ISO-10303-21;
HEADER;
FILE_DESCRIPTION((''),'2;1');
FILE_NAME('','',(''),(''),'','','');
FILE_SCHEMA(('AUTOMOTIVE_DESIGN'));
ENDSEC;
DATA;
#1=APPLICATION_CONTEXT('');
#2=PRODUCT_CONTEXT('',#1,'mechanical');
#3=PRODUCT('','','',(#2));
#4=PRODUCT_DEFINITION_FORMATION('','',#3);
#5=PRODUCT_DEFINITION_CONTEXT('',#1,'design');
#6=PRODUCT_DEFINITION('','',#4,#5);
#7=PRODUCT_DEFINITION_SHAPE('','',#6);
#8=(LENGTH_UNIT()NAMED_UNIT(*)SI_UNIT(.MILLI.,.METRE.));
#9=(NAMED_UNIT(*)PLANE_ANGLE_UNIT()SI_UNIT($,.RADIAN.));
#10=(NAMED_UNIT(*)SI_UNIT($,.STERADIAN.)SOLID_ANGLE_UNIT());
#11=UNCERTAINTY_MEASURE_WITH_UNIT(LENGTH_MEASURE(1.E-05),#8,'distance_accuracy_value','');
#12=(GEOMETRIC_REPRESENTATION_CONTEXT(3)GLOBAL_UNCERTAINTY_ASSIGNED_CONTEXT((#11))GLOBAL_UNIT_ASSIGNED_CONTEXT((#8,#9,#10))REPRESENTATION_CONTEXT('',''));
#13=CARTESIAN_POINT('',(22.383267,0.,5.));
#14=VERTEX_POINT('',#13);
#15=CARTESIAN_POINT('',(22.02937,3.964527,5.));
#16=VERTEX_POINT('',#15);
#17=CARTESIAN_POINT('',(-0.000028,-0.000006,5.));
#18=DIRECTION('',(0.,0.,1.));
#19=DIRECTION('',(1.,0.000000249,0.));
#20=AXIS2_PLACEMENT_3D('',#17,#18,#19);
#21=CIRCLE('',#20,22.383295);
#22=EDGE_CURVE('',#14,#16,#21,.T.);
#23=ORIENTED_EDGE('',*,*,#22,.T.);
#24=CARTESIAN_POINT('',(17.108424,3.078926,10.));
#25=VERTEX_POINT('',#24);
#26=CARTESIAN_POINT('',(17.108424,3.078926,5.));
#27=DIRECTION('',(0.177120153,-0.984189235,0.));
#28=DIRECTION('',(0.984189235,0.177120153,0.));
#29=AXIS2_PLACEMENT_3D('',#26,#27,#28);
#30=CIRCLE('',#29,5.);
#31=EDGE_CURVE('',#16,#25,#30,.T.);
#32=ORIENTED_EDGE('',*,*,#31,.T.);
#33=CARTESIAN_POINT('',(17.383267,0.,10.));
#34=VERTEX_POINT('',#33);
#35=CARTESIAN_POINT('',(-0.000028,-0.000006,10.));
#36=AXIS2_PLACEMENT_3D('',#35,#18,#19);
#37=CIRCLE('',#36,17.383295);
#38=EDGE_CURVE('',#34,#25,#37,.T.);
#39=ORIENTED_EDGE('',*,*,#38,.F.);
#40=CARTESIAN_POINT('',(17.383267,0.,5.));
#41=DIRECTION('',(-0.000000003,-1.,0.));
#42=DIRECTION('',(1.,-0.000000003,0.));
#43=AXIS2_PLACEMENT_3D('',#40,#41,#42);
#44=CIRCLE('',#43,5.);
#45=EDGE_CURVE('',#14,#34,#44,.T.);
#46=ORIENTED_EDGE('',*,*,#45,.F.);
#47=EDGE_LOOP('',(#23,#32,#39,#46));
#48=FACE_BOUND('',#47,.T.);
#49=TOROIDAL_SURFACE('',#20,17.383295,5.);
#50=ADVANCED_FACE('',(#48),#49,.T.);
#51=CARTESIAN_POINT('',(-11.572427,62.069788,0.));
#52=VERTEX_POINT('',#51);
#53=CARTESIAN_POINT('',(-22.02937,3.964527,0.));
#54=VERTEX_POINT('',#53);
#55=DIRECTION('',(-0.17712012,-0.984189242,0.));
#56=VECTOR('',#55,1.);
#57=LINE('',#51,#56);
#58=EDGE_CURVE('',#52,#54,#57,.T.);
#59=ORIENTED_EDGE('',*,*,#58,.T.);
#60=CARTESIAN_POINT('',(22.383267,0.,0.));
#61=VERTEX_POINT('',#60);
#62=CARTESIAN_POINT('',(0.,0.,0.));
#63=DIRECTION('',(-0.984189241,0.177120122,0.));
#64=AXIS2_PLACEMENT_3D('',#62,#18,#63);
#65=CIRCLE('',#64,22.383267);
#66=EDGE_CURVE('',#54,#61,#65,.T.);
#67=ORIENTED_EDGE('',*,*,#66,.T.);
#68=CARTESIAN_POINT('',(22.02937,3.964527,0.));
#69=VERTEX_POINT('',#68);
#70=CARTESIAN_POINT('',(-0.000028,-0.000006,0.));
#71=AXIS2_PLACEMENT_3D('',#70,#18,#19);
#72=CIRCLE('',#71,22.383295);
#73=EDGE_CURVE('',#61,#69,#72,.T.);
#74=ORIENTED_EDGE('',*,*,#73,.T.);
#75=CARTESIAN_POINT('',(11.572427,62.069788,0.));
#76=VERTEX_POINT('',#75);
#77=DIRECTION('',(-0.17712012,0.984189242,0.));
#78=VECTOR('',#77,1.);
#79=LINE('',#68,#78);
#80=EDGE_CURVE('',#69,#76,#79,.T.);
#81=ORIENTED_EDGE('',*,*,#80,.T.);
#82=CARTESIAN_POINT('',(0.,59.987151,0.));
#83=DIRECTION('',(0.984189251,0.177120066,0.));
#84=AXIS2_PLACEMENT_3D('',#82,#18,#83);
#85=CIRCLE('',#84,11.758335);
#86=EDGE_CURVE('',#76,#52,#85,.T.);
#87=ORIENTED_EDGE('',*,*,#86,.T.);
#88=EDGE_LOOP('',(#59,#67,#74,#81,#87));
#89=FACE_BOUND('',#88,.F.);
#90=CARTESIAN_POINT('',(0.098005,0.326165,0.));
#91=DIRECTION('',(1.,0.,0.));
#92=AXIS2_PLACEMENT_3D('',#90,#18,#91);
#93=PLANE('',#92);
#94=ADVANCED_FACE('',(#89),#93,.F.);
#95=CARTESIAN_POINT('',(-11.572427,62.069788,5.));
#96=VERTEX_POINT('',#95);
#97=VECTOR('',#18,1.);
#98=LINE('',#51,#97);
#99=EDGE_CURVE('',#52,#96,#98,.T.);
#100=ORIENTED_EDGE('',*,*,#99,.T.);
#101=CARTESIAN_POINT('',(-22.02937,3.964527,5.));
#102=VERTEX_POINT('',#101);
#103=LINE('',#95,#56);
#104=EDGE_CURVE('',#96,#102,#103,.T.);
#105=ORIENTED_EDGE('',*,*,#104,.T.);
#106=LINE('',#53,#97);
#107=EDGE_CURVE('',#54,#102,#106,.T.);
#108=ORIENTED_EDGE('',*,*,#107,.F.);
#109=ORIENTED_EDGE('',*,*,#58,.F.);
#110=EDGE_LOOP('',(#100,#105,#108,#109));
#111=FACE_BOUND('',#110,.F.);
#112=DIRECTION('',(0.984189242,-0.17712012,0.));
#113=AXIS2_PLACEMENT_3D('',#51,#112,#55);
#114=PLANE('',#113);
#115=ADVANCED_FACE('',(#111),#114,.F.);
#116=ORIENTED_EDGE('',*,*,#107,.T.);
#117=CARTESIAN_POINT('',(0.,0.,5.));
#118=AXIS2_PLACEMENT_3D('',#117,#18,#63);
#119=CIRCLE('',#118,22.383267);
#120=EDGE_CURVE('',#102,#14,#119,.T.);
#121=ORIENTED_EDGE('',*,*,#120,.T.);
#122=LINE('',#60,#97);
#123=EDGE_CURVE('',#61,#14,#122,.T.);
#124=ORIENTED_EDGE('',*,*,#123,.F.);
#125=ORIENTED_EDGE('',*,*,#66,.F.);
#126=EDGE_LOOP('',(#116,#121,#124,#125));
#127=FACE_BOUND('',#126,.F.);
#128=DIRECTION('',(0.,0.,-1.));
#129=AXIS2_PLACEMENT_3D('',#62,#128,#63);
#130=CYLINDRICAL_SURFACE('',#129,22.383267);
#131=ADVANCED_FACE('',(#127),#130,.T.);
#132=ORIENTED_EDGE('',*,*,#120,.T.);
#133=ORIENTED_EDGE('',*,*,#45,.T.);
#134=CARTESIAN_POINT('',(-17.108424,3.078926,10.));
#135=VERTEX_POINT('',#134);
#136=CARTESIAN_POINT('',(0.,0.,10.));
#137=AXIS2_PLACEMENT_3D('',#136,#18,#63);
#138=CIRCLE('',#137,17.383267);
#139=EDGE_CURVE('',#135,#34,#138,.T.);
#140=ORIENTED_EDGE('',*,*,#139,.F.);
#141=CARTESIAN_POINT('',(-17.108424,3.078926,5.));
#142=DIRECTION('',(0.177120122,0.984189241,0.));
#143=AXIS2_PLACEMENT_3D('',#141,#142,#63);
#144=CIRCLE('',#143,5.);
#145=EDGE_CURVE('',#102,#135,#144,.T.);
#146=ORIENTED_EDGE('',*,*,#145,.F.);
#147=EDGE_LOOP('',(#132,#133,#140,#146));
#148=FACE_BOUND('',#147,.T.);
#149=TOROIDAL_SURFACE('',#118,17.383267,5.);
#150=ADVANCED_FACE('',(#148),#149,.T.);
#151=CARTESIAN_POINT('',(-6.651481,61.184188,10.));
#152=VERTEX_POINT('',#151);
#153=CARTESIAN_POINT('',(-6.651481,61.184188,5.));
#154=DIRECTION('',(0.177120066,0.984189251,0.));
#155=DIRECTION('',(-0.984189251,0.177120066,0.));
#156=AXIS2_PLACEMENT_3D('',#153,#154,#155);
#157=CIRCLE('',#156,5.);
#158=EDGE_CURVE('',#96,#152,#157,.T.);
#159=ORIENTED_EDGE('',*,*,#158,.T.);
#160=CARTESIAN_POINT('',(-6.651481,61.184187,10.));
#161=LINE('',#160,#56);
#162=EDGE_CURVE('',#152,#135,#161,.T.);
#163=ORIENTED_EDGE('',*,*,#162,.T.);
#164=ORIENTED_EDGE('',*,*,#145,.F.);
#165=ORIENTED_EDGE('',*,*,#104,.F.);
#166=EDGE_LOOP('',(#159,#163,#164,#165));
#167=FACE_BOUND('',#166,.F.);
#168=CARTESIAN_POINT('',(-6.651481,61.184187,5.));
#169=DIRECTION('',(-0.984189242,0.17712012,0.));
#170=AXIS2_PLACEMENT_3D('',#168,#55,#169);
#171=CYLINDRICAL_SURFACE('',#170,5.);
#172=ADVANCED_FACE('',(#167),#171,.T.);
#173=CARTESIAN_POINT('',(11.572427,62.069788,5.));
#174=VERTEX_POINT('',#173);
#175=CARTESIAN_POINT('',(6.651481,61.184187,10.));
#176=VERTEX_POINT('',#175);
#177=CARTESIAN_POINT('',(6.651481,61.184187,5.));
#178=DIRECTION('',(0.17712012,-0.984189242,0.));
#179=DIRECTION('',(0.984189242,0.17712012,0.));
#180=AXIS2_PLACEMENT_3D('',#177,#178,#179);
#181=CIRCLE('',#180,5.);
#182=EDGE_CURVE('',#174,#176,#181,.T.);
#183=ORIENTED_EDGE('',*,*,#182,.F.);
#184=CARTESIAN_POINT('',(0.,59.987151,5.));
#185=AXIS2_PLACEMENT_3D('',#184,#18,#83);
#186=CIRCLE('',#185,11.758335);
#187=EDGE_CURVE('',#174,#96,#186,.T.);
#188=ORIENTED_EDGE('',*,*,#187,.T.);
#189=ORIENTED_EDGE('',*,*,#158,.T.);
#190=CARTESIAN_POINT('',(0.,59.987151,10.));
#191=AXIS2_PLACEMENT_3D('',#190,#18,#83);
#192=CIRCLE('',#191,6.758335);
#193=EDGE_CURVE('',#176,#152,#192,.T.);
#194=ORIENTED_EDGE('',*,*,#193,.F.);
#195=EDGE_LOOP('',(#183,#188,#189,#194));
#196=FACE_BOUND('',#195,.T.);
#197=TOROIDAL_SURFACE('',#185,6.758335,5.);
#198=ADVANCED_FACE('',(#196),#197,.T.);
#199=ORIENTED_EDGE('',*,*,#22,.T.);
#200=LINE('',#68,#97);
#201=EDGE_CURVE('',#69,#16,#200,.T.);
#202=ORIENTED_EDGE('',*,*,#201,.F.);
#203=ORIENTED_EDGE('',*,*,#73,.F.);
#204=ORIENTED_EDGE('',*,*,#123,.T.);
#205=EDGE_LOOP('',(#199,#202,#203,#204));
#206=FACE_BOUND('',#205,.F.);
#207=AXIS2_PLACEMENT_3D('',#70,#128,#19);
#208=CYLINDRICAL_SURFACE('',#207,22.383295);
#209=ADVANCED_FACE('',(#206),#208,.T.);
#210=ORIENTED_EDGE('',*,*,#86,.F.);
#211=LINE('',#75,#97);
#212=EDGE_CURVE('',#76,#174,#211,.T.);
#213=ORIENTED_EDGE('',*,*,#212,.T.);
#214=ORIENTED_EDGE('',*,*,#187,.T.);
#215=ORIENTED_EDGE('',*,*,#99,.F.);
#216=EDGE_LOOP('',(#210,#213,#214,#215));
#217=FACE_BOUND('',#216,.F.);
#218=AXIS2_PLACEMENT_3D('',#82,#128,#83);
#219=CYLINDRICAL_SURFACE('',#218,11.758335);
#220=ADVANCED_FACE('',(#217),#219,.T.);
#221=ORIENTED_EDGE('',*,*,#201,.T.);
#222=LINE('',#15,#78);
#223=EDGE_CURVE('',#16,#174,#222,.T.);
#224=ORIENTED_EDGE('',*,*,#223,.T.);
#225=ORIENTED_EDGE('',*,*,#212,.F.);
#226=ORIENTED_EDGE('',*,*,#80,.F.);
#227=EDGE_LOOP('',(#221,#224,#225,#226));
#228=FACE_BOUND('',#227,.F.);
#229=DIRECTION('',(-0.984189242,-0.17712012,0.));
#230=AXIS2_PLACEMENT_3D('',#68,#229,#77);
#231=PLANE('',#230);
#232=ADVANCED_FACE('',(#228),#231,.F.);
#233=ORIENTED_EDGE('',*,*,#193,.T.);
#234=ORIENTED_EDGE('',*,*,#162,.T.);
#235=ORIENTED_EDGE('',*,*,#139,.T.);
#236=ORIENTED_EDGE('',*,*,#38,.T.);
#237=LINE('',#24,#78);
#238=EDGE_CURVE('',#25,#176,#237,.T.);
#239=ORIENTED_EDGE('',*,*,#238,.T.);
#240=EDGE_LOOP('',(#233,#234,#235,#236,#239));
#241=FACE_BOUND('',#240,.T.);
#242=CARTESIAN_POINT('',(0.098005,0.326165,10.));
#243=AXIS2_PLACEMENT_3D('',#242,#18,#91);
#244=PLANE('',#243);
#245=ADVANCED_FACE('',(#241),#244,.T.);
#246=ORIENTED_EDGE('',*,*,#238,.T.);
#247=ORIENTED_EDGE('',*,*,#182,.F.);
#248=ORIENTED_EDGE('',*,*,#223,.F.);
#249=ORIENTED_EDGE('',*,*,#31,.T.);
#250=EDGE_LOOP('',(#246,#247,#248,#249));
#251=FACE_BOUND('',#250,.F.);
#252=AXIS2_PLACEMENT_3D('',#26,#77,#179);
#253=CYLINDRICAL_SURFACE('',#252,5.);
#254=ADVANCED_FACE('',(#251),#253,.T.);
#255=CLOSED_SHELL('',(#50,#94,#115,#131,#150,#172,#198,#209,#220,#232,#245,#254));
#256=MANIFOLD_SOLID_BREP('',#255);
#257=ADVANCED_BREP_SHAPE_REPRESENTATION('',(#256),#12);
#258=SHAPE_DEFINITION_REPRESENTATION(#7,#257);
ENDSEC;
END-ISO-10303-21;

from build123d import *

# Parameters (mm, degrees)
F1_DEPTH = 10
F2_R     = 5


with BuildPart() as f1:
    # F0 (on Top) → F1 (new body)
    with BuildSketch(Plane.XY):
        with BuildLine():
            ThreePointArc((-22.02937, 3.964527), (-1.990145, -22.294617), (22.383267, 0))
            ThreePointArc((22.383267, 0), (22.294617, 1.990145), (22.02937, 3.964527))
            ThreePointArc((22.02937, 3.964527), (0, 22.383267), (-22.02937, 3.964527))
        make_face()
        with BuildLine():
            ThreePointArc((-22.02937, 3.964527), (0, 22.383267), (22.02937, 3.964527))
            Line((22.02937, 3.964527), (11.572427, 62.069788))
            ThreePointArc((11.572427, 62.069788), (11.711766, 61.03261), (11.758336, 59.98715))
            ThreePointArc((11.758336, 59.98715), (-1.045459, 48.275384), (-11.572427, 62.069788))
            Line((-11.572427, 62.069788), (-22.02937, 3.964527))
        make_face()
        with BuildLine():
            ThreePointArc((11.758336, 59.98715), (11.711766, 61.03261), (11.572427, 62.069788))
            ThreePointArc((11.572427, 62.069788), (0, 71.745486), (-11.572427, 62.069788))
            ThreePointArc((-11.572427, 62.069788), (-1.045459, 48.275384), (11.758336, 59.98715))
        make_face()
    extrude(amount=F1_DEPTH)

    # F2
    f2_edges = [f1.edges().sort_by_distance(p)[0] for p in [
        (-1.990145, -22.294617, 10),
    ]]
    fillet(f2_edges, radius=F2_R)


solid = f1.part
